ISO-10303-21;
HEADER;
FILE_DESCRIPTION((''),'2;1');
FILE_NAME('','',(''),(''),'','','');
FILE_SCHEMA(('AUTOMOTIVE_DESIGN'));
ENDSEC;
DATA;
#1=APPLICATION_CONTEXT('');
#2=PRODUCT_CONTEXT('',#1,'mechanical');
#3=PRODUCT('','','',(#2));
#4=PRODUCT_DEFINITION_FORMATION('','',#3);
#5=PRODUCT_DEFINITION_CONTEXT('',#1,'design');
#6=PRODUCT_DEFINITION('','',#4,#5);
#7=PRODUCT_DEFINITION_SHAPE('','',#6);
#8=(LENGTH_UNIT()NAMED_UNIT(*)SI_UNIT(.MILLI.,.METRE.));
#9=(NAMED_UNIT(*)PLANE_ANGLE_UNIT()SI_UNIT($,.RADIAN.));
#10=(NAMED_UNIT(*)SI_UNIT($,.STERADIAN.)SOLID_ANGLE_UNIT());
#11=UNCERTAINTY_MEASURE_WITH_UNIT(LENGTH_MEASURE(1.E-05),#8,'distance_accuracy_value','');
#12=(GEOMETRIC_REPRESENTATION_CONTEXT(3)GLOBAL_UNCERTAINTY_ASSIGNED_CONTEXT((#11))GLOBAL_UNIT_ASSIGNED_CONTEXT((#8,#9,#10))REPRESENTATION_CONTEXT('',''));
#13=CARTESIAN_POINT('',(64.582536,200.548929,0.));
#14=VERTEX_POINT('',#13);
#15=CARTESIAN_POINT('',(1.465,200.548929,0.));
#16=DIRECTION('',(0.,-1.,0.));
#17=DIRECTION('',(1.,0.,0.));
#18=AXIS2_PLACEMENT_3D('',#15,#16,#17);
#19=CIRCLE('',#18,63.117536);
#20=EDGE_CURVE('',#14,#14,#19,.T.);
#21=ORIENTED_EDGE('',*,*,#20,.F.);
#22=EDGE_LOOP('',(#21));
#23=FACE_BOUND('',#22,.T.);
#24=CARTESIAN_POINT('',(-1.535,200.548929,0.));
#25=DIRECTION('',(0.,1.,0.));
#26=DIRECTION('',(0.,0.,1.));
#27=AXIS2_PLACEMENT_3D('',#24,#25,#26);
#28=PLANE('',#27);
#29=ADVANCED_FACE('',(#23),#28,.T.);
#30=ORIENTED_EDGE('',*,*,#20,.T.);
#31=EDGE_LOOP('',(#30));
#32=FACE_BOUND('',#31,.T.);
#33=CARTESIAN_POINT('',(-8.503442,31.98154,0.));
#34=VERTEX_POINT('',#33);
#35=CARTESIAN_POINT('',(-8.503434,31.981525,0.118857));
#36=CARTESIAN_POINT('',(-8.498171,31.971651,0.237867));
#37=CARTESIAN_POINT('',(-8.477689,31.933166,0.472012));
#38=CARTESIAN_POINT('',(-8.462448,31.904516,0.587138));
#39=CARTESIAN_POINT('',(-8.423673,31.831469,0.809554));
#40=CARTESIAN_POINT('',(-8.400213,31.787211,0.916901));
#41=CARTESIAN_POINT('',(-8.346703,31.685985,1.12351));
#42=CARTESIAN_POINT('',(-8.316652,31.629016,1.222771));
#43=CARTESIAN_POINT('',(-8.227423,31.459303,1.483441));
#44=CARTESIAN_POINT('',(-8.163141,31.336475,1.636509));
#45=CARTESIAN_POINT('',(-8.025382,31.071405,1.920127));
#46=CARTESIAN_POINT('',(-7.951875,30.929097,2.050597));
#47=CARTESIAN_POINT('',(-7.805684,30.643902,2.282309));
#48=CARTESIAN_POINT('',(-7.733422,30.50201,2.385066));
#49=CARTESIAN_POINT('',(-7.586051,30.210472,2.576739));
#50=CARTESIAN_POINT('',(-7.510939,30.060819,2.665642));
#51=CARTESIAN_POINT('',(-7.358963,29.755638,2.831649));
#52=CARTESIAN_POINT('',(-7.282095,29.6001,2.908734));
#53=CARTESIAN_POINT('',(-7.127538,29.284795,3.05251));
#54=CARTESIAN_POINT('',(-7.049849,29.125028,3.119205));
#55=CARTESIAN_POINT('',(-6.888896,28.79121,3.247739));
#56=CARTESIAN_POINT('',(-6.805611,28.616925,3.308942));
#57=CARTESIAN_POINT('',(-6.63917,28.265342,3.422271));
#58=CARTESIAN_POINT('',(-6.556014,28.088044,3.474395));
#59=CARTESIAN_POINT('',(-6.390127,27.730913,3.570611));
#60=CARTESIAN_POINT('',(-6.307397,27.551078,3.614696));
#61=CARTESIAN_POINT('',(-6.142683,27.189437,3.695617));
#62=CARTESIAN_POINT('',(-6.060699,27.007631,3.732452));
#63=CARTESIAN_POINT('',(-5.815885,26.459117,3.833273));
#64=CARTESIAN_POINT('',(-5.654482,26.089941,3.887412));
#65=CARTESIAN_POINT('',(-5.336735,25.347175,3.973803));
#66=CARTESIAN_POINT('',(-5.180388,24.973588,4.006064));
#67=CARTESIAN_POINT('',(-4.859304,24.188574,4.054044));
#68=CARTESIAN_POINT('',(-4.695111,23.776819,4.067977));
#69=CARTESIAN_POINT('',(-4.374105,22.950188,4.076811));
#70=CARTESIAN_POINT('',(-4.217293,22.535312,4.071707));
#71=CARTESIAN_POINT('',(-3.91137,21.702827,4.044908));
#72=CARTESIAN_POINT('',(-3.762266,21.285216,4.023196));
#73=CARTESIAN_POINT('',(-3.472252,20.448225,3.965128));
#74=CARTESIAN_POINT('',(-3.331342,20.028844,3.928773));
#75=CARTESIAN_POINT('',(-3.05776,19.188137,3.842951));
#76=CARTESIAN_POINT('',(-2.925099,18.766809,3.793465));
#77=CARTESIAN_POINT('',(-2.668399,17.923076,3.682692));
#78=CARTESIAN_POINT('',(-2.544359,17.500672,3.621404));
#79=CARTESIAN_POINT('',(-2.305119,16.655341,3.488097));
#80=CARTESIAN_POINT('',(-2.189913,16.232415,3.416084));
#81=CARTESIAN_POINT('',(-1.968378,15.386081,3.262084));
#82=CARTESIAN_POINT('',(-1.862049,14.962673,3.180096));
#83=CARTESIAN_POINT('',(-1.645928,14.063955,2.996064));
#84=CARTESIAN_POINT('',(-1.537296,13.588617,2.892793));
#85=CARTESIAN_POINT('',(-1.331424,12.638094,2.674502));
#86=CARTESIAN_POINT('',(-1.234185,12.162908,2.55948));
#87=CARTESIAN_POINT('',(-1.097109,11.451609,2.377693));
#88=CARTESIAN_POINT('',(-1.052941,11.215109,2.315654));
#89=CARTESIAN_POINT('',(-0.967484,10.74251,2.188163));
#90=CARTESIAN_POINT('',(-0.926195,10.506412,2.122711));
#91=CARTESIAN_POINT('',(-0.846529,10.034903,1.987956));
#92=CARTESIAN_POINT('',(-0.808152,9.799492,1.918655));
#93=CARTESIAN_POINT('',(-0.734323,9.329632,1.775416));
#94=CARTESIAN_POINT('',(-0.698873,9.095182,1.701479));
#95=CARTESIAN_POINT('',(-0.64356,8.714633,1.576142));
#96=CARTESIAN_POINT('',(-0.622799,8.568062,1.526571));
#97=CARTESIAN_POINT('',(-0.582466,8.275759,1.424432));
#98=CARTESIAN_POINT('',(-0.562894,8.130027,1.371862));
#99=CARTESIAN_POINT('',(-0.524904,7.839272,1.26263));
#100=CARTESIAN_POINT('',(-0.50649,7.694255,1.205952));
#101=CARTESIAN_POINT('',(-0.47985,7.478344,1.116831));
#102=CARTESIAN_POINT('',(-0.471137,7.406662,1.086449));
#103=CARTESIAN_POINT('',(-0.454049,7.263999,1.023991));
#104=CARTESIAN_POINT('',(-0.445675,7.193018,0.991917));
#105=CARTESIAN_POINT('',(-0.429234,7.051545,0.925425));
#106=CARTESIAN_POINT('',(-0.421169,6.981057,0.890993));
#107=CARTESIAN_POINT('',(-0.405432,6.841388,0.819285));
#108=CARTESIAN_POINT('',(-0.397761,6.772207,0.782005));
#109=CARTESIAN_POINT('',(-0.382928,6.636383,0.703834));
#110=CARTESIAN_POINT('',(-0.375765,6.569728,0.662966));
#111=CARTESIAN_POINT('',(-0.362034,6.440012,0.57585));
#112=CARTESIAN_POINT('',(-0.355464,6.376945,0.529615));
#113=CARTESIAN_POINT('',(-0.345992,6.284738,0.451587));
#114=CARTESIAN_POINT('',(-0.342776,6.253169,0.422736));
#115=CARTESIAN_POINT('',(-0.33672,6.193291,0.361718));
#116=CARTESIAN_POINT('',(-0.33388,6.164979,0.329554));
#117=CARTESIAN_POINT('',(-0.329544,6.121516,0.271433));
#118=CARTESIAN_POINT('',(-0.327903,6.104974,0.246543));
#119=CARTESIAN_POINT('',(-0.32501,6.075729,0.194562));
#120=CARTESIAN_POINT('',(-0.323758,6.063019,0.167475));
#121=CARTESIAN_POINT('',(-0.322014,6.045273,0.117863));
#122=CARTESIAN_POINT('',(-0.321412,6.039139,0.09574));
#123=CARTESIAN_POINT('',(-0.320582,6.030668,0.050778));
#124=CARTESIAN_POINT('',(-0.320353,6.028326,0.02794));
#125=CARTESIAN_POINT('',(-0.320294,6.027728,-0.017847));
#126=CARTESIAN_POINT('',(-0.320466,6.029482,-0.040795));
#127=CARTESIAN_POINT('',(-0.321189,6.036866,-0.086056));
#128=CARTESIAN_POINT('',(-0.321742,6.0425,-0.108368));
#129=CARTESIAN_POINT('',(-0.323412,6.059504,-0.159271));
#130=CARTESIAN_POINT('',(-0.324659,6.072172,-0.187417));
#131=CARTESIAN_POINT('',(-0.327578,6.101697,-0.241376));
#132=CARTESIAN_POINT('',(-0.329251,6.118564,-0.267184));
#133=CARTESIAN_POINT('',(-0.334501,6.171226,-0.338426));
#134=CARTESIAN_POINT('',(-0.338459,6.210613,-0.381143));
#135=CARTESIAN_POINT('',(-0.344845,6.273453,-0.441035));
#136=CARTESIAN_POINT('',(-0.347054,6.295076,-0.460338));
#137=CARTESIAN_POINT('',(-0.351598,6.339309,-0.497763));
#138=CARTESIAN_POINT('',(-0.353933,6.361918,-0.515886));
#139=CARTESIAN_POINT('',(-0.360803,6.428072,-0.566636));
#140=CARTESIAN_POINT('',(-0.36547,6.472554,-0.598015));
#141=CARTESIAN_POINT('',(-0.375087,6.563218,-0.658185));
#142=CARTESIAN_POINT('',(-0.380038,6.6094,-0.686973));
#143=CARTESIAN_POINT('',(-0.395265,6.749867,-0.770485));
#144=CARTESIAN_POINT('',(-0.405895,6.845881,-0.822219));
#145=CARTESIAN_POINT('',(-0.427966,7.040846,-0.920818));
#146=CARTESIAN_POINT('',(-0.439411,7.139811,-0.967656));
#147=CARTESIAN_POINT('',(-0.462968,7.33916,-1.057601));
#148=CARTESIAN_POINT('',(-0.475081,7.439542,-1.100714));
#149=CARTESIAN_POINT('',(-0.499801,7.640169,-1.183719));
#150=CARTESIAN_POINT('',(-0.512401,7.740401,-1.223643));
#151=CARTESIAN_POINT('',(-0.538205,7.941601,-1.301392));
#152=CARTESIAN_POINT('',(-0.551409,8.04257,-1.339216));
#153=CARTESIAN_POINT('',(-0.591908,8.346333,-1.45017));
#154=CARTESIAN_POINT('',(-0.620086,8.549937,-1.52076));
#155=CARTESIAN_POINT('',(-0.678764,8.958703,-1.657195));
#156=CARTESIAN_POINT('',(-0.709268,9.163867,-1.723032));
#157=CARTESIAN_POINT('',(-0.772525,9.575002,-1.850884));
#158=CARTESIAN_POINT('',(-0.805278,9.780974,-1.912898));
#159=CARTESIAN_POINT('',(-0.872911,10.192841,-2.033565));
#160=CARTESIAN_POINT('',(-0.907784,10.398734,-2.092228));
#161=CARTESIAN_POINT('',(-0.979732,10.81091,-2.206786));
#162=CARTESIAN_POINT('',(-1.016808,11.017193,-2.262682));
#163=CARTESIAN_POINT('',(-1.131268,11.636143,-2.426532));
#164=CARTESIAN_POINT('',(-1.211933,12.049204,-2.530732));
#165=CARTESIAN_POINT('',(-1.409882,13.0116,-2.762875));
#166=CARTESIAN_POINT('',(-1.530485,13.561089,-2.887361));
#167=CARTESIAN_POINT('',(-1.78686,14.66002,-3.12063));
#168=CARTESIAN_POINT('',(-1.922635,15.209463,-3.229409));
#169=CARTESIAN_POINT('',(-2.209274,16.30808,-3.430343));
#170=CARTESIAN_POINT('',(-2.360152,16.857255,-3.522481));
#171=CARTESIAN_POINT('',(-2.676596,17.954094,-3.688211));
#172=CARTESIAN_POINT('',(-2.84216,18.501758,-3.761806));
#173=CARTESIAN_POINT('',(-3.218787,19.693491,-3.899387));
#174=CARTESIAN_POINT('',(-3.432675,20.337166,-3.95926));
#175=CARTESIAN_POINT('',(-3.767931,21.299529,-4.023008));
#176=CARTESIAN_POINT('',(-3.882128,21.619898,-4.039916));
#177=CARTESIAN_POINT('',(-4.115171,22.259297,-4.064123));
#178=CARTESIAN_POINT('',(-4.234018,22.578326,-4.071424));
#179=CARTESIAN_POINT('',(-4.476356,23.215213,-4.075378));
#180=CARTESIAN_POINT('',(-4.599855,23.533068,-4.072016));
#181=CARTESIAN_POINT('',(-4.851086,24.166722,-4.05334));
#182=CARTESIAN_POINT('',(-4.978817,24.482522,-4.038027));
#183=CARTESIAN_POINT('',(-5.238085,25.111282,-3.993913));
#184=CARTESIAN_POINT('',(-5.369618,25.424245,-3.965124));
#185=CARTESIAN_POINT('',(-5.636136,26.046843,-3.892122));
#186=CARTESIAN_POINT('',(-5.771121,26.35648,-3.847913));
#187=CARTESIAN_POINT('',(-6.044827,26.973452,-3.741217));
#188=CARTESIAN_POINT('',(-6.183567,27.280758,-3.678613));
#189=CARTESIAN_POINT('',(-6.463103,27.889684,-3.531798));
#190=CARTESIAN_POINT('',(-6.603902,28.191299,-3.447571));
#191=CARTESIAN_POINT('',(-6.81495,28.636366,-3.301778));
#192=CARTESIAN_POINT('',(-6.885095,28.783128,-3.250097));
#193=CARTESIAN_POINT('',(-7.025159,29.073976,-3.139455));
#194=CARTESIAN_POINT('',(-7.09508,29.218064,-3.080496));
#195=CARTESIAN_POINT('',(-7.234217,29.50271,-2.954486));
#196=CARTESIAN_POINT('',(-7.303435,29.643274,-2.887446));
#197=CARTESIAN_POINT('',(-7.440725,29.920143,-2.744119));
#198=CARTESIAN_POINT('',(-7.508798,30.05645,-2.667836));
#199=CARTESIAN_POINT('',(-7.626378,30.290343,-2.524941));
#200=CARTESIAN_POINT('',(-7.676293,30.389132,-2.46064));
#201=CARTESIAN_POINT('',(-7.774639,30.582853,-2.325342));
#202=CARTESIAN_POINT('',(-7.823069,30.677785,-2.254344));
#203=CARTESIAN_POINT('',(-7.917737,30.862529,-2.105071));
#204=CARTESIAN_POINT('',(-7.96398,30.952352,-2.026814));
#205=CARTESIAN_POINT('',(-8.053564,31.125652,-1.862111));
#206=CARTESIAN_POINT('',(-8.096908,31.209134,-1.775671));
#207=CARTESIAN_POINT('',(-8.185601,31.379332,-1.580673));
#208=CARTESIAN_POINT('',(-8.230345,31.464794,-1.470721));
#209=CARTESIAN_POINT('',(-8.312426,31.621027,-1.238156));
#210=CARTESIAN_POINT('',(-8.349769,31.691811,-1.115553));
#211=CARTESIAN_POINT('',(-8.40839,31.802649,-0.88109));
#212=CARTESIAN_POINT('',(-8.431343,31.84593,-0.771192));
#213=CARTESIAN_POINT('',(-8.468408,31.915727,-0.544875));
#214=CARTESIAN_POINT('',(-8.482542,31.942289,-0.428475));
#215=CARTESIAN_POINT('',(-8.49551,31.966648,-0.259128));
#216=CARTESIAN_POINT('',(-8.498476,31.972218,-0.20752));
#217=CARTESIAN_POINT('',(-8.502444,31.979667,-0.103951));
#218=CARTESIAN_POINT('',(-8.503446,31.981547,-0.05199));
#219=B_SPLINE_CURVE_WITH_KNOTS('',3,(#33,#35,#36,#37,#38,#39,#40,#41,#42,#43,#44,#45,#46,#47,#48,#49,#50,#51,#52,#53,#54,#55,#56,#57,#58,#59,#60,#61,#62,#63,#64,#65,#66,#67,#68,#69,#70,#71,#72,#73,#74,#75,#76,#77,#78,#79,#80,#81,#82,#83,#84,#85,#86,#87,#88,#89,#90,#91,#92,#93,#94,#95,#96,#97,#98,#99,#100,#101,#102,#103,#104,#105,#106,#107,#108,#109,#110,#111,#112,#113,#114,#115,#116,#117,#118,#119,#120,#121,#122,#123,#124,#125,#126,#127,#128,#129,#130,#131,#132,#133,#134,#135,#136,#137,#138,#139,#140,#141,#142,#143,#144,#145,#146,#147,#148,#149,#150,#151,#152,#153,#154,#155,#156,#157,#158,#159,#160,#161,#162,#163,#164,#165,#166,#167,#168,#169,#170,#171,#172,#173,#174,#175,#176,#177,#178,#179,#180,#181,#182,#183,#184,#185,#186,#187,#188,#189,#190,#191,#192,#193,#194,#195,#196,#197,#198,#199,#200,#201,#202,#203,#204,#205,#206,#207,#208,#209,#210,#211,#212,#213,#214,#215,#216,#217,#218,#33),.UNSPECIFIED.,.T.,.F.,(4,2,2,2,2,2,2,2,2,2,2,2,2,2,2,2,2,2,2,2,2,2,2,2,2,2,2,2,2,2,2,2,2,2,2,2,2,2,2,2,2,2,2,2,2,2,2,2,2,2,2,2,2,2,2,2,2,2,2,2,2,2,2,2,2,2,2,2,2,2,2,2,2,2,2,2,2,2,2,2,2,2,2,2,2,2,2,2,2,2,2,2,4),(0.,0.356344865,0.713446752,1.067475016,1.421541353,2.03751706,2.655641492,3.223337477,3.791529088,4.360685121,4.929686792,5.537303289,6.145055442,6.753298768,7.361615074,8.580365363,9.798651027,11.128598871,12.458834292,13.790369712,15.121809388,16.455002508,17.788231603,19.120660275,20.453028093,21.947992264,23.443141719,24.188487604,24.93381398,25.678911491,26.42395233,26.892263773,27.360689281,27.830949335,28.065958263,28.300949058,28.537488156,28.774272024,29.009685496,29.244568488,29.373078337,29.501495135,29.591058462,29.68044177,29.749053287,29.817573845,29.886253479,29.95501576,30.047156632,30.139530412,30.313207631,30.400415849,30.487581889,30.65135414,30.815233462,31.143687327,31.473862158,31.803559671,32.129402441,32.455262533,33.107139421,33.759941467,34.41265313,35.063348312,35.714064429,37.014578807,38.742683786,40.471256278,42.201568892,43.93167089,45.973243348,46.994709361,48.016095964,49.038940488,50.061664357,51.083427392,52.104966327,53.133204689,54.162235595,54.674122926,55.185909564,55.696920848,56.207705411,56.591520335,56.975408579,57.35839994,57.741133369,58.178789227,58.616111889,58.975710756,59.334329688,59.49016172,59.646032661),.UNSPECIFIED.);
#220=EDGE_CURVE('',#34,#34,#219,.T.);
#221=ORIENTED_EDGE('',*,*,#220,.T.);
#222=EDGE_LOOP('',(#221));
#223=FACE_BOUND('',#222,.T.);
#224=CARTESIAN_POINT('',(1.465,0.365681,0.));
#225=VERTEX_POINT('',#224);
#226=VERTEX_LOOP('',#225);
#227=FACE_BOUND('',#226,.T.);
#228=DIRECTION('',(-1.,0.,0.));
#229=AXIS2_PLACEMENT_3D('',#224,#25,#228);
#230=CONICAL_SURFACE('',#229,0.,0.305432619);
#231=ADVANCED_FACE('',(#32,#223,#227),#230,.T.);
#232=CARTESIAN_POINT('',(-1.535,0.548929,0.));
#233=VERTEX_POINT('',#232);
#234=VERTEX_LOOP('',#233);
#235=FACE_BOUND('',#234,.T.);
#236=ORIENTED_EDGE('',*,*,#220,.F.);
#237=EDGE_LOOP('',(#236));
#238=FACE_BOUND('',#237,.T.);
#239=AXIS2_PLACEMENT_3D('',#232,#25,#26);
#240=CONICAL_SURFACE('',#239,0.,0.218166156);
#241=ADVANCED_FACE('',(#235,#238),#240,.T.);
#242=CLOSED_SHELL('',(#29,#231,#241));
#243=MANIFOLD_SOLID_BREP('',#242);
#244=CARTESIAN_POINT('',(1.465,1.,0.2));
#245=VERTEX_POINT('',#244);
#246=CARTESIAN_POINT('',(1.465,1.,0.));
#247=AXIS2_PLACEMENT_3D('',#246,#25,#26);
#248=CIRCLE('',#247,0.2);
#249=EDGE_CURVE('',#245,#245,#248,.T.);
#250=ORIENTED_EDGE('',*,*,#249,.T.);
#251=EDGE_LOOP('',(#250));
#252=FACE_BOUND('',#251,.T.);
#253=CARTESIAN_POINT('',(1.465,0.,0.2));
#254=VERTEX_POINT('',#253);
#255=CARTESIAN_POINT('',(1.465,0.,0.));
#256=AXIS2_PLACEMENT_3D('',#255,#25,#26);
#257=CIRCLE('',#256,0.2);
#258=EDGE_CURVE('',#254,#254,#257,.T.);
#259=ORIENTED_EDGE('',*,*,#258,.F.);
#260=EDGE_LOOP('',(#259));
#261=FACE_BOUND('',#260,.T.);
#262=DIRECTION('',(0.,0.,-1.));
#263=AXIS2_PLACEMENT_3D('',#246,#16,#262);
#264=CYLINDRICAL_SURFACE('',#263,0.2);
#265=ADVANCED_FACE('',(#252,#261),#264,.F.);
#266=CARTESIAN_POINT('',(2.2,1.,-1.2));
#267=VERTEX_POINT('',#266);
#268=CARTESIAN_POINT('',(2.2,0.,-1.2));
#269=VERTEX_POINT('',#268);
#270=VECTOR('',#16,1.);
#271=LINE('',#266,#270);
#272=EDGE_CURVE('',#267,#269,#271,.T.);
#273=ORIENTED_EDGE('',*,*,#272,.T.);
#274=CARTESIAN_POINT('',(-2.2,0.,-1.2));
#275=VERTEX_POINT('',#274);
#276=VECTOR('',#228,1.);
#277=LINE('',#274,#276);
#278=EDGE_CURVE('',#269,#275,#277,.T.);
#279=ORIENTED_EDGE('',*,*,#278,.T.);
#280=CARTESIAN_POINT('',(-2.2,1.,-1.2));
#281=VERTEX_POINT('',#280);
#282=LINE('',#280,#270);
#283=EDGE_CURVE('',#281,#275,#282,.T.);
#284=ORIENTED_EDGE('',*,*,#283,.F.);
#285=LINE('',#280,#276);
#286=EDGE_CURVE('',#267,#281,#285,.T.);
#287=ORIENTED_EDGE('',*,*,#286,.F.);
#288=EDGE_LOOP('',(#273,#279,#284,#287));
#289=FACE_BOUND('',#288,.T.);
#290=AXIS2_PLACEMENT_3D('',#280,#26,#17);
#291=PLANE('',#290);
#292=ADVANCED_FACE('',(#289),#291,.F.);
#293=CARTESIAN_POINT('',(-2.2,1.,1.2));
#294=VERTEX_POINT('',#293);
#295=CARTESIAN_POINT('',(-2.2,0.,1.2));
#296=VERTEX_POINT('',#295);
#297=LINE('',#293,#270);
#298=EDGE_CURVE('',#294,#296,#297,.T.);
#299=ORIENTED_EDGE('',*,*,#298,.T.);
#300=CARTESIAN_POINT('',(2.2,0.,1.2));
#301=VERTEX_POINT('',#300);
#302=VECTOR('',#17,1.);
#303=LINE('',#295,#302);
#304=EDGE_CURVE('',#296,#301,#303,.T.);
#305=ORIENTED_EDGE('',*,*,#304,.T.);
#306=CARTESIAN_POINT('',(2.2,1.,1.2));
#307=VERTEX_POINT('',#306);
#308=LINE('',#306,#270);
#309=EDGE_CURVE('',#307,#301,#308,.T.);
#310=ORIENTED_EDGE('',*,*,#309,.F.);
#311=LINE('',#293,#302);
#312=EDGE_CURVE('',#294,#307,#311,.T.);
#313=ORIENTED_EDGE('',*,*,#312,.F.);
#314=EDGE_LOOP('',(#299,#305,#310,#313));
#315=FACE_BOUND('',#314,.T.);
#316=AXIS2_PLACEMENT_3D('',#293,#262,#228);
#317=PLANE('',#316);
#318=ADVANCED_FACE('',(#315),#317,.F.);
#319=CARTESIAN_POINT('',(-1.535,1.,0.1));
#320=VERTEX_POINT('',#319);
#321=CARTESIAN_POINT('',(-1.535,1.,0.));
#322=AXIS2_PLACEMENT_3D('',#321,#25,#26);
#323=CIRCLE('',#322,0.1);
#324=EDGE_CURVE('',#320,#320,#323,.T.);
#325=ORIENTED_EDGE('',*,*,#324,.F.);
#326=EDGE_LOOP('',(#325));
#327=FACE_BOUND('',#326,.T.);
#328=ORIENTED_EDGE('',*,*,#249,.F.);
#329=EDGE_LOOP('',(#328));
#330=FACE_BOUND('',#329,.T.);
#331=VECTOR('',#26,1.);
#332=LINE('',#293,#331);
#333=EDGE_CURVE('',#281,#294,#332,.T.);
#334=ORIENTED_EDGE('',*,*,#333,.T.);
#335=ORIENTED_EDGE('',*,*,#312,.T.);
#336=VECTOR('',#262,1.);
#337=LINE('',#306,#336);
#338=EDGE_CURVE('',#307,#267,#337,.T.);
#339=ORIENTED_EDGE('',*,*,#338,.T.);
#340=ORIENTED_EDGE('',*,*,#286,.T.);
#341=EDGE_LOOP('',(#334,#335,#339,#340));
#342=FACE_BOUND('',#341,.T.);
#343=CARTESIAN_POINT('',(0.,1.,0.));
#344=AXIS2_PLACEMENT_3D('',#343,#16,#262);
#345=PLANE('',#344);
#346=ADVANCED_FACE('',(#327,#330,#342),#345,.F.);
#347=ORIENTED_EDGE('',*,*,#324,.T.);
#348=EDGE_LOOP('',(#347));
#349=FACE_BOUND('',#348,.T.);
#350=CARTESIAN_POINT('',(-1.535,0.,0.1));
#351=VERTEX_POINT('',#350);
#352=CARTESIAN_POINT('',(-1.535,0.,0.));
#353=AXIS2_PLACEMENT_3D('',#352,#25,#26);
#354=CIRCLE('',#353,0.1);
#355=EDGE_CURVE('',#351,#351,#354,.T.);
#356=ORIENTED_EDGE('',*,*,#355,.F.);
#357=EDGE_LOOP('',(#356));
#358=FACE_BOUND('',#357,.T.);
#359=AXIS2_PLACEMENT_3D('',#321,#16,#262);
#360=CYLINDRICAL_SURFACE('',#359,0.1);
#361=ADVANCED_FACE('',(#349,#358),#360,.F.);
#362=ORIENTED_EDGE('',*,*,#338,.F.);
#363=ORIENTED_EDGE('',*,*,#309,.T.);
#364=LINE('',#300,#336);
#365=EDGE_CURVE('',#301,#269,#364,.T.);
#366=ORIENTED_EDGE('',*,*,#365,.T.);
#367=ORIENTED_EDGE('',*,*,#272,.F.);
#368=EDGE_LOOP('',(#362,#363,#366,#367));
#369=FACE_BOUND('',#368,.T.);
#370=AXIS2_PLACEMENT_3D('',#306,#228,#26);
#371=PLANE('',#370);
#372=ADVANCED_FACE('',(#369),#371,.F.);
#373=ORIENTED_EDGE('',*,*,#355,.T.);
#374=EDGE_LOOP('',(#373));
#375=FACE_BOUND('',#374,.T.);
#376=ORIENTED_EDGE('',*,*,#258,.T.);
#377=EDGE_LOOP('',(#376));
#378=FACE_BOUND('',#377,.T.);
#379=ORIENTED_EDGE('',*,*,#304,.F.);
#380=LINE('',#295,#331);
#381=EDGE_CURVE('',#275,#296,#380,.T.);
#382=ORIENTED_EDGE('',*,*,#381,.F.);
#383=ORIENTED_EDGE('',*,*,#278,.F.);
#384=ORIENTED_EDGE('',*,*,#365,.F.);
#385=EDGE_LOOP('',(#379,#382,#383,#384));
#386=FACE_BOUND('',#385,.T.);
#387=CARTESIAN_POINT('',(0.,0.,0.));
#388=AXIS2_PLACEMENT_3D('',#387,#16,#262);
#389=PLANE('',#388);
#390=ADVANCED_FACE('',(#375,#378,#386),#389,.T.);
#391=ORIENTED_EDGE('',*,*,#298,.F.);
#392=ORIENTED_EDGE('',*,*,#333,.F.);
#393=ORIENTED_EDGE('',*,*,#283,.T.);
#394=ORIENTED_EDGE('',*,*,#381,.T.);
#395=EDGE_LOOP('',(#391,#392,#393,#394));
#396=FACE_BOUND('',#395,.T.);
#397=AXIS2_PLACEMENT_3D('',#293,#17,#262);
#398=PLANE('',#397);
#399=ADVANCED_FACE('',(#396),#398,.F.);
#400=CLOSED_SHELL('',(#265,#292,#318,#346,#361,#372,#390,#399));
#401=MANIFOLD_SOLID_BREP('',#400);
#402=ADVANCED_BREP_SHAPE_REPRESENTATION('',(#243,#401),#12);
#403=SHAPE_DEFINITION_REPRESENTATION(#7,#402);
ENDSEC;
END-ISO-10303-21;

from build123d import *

# Parameters (mm, degrees)
SKETCH2_W           = 4.4
SKETCH2_H           = 2.4
SKETCH2_R           = 0.2
SKETCH2_R_2         = 0.1
BOSS_EXTRUDE1_DEPTH = 1


with BuildPart() as part:
    # Sketch2 → Boss-Extrude1 (new body)
    with BuildSketch(Plane(origin=(0, 0, 0), x_dir=(1, 0, 0), z_dir=(0, 1, 0))):
        Rectangle(SKETCH2_W, SKETCH2_H)
        with Locations(Location((1.465, 0, 0), (0, 0, 270))):
            Circle(SKETCH2_R, mode=Mode.SUBTRACT)
        with Locations(Location((-1.535, 0, 0), (0, 0, 270))):
            Circle(SKETCH2_R_2, mode=Mode.SUBTRACT)
    extrude(amount=BOSS_EXTRUDE1_DEPTH)


with BuildPart() as body_2:
    # Sketch3 → Revolve1 (revolve)
    with BuildSketch(Plane.XY, mode=Mode.PRIVATE) as revolve1_sk:
        Polygon((-1.535, 0.54892915), (-1.535, 200.54892915), (42.803932529, 200.54892915), align=None)
    revolve(revolve1_sk.sketch.rotate(Axis((-1.535, 0.54892915, 0), (0, 1, 0)), 270), axis=Axis((-1.535, 0.54892915, 0), (0, 1, 0)))

    # Sketch4 → Revolve2 (revolve)
    with BuildSketch(Plane.XY, mode=Mode.PRIVATE) as revolve2_sk:
        Polygon((1.465, 0.36568104), (64.582535683, 200.54892915), (1.465, 200.54892915), align=None)
    revolve(revolve2_sk.sketch.rotate(Axis((1.465, 0.36568104, 0), (0, 1, 0)), 180), axis=Axis((1.465, 0.36568104, 0), (0, 1, 0)))


solid = Compound([part.part, body_2.part])
